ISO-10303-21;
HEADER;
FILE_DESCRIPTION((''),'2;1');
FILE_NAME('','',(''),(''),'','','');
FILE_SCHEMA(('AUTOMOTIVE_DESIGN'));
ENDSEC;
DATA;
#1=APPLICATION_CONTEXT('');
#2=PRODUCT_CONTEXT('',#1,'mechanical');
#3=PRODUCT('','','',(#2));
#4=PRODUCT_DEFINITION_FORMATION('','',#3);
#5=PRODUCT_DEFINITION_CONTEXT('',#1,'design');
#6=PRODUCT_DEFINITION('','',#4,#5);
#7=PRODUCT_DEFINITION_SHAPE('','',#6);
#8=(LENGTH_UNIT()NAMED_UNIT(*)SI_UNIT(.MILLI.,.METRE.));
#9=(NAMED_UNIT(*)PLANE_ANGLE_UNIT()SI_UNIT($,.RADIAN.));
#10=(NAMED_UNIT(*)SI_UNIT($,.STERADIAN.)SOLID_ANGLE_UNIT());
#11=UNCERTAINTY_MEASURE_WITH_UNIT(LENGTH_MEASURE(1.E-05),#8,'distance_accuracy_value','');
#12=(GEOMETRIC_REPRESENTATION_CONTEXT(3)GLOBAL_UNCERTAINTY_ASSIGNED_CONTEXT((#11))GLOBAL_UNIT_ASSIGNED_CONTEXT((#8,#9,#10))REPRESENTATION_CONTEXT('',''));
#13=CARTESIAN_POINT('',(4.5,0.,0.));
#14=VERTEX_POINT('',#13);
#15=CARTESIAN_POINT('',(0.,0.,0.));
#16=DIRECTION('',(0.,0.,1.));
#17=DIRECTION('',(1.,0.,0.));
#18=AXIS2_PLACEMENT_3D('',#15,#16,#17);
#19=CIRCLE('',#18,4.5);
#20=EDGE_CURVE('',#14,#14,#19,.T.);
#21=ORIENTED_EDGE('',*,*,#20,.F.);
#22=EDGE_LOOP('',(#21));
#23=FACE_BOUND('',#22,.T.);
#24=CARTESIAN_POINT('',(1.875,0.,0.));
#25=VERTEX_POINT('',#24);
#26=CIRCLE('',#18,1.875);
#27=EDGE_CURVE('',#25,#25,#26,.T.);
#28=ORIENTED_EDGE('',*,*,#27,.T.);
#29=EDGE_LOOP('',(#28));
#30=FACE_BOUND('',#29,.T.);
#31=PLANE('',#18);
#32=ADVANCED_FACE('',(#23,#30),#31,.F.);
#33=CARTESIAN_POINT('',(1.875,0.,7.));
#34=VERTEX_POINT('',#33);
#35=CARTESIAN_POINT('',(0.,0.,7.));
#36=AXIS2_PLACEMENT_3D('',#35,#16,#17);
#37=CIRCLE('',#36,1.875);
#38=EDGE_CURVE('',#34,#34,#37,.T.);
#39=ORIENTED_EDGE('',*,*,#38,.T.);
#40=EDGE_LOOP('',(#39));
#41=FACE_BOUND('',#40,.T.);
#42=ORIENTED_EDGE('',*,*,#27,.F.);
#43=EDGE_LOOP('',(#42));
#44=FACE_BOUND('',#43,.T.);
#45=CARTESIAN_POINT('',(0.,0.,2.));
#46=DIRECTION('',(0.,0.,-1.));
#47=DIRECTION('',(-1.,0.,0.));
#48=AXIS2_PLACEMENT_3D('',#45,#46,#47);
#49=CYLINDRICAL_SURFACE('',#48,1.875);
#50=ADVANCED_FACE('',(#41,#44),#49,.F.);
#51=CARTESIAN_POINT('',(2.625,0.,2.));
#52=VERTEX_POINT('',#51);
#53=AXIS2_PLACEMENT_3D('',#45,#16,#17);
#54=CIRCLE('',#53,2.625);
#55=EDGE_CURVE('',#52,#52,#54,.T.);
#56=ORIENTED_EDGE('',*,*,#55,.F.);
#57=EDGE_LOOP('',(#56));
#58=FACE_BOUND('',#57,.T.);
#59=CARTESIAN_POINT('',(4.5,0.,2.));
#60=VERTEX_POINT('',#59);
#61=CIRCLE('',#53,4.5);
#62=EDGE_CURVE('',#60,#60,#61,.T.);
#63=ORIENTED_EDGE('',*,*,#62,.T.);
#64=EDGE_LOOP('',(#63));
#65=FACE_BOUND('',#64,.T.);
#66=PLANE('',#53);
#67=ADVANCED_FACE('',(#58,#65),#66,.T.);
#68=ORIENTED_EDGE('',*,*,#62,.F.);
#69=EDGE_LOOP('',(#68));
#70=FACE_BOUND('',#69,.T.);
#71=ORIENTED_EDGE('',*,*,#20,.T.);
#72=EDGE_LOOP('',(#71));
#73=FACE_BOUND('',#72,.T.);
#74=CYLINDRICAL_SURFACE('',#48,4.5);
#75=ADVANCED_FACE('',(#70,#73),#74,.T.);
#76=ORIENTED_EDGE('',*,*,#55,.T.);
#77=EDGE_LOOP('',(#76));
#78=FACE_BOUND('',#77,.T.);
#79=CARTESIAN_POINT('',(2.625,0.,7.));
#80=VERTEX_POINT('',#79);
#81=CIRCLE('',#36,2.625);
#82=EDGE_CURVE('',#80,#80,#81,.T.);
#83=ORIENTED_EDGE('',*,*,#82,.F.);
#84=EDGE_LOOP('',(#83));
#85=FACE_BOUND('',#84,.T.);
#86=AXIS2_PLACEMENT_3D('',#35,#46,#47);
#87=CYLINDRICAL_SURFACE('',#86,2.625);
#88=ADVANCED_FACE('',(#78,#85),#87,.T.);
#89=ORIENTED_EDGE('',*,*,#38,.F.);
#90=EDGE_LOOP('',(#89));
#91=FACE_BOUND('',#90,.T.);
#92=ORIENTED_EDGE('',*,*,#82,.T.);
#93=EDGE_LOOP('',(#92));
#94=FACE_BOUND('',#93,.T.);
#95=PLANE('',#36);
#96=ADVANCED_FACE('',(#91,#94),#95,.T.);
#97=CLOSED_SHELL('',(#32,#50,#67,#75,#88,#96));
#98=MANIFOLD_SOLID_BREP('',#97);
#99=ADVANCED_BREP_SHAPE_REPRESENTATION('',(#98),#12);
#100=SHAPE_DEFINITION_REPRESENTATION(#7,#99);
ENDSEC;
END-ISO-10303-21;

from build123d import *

# Parameters (mm, degrees)
SKETCH1_R           = 4.5
SKETCH1_R_2         = 1.875
BOSS_EXTRUDE1_DEPTH = 2
SKETCH2_R           = 2.625
SKETCH2_R_2         = 1.875
BOSS_EXTRUDE2_DEPTH = 5


with BuildPart() as part:
    # Sketch1 → Boss-Extrude1 (new body)
    with BuildSketch(Plane.XY):
        Circle(SKETCH1_R)
        Circle(SKETCH1_R_2, mode=Mode.SUBTRACT)
    extrude(amount=BOSS_EXTRUDE1_DEPTH)

    # Sketch2 → Boss-Extrude2 (add)
    with BuildSketch(Plane.XY.offset(2)):
        Circle(SKETCH2_R)
        Circle(SKETCH2_R_2, mode=Mode.SUBTRACT)
    extrude(amount=BOSS_EXTRUDE2_DEPTH)


solid = part.part
